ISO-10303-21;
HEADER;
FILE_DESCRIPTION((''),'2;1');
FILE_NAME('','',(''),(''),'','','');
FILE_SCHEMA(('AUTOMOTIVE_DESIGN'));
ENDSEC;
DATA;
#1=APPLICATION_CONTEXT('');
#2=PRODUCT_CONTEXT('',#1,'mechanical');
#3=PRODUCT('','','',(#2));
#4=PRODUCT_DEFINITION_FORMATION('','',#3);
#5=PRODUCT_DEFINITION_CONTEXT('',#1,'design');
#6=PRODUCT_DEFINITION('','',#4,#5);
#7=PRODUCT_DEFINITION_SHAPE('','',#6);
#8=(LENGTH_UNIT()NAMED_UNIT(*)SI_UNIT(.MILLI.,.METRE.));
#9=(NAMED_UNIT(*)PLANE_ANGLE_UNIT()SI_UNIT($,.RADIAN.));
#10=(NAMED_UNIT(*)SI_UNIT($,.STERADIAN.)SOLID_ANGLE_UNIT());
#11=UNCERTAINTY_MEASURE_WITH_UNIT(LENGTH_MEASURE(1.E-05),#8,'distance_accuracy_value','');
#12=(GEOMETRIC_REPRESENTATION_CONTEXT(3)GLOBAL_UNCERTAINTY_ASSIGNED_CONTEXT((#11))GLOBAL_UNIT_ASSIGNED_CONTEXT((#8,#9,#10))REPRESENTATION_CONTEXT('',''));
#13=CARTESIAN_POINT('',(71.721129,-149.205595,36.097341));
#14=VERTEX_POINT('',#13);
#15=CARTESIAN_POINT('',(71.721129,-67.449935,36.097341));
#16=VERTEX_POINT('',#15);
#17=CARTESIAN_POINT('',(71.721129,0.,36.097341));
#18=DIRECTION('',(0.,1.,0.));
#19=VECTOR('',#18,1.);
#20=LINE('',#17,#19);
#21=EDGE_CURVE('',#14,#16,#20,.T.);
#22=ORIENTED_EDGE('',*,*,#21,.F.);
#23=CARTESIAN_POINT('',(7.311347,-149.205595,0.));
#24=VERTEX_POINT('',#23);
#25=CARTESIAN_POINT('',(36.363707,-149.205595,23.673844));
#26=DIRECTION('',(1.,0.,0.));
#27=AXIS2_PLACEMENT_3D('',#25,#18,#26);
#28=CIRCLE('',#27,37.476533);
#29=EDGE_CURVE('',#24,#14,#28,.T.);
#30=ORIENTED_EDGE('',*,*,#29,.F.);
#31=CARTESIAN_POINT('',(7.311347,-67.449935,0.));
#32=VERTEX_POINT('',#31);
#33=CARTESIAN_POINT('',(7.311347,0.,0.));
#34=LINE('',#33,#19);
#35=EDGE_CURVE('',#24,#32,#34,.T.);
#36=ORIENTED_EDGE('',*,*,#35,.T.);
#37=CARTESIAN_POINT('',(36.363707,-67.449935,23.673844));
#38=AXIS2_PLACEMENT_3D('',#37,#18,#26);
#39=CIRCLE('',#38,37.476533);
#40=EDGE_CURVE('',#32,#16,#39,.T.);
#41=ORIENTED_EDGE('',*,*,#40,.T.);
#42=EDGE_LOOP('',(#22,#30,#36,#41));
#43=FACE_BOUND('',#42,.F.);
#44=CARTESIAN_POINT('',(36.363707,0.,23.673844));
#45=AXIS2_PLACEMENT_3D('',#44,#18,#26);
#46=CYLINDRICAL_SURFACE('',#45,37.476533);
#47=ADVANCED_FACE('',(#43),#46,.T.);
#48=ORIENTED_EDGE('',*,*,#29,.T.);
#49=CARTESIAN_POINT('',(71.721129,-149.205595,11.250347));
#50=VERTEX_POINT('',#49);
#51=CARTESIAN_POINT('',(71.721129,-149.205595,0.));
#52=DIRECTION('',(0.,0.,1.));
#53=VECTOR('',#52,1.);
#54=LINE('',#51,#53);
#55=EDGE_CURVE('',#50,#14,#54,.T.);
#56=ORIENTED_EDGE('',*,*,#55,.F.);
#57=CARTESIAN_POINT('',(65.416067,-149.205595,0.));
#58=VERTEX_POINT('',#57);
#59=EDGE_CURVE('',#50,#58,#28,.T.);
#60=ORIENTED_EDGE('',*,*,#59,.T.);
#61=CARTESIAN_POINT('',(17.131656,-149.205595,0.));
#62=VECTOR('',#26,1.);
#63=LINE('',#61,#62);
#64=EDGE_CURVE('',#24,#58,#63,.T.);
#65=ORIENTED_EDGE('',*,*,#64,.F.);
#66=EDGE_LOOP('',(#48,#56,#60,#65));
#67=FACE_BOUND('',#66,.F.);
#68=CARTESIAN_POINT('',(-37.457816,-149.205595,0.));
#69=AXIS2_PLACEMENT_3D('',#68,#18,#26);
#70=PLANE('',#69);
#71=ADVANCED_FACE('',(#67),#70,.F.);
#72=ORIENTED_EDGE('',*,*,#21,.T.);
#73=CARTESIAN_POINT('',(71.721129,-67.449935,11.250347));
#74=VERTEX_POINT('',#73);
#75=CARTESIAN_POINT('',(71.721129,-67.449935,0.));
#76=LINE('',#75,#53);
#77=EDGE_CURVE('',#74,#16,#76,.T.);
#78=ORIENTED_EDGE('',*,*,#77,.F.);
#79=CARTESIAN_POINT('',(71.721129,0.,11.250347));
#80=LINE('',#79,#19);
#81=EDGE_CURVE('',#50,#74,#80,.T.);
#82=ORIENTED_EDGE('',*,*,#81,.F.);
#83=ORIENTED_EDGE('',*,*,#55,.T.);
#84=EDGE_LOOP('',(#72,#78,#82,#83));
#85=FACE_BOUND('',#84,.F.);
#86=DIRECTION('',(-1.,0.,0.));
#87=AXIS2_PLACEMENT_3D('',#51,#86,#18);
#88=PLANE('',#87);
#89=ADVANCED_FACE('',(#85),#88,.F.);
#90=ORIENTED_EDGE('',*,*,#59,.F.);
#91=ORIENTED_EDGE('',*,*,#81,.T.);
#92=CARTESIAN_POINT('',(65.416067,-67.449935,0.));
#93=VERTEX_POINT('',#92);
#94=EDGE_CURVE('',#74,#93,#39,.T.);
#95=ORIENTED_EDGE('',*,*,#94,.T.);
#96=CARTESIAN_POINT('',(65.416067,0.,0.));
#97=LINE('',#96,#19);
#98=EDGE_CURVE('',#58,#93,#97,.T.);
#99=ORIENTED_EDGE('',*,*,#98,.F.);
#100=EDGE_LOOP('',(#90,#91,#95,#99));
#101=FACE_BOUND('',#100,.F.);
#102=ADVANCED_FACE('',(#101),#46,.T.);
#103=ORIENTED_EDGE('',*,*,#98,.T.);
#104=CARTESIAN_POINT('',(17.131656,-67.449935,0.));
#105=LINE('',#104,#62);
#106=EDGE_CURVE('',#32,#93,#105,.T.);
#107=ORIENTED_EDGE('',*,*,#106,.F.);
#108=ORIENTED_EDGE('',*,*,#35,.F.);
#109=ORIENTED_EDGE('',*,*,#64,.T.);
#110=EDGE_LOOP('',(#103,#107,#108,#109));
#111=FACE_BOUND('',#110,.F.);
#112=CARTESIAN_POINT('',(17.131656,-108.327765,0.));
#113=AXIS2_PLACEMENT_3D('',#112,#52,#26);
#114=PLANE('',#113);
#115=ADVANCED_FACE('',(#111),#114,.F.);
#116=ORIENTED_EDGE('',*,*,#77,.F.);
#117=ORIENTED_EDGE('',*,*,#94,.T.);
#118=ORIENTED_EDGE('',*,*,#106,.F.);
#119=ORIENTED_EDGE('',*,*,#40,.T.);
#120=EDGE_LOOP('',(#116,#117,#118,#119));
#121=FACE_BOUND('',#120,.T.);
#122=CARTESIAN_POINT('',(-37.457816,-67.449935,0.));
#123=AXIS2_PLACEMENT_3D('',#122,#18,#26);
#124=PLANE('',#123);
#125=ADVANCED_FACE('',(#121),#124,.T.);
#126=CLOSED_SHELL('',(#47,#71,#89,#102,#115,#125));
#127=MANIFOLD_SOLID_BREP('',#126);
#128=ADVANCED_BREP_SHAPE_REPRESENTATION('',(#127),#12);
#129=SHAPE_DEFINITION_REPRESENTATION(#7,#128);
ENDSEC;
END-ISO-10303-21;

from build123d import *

# Parameters (mm, degrees)
F0_R     = 37.476533
F1_DEPTH = 196.006492
F2_W     = 109.178945
F2_H     = 81.75566
F3_DEPTH = 113.557346


with BuildPart() as f1:
    # F0 (on Front) → F1 (new body)
    with BuildSketch(Plane.XZ):
        with Locations((36.363707, 23.673844)):
            Circle(F0_R)
    extrude(amount=F1_DEPTH)


with BuildPart() as f3:
    # F2 (on Top) → F3 (new body)
    with BuildSketch(Plane.XY):
        with Locations((17.131656, -108.327765)):
            Rectangle(F2_W, F2_H)
    extrude(amount=F3_DEPTH)

    # F4: intersect F1
    add(f1.part, mode=Mode.INTERSECT)


solid = f3.part
